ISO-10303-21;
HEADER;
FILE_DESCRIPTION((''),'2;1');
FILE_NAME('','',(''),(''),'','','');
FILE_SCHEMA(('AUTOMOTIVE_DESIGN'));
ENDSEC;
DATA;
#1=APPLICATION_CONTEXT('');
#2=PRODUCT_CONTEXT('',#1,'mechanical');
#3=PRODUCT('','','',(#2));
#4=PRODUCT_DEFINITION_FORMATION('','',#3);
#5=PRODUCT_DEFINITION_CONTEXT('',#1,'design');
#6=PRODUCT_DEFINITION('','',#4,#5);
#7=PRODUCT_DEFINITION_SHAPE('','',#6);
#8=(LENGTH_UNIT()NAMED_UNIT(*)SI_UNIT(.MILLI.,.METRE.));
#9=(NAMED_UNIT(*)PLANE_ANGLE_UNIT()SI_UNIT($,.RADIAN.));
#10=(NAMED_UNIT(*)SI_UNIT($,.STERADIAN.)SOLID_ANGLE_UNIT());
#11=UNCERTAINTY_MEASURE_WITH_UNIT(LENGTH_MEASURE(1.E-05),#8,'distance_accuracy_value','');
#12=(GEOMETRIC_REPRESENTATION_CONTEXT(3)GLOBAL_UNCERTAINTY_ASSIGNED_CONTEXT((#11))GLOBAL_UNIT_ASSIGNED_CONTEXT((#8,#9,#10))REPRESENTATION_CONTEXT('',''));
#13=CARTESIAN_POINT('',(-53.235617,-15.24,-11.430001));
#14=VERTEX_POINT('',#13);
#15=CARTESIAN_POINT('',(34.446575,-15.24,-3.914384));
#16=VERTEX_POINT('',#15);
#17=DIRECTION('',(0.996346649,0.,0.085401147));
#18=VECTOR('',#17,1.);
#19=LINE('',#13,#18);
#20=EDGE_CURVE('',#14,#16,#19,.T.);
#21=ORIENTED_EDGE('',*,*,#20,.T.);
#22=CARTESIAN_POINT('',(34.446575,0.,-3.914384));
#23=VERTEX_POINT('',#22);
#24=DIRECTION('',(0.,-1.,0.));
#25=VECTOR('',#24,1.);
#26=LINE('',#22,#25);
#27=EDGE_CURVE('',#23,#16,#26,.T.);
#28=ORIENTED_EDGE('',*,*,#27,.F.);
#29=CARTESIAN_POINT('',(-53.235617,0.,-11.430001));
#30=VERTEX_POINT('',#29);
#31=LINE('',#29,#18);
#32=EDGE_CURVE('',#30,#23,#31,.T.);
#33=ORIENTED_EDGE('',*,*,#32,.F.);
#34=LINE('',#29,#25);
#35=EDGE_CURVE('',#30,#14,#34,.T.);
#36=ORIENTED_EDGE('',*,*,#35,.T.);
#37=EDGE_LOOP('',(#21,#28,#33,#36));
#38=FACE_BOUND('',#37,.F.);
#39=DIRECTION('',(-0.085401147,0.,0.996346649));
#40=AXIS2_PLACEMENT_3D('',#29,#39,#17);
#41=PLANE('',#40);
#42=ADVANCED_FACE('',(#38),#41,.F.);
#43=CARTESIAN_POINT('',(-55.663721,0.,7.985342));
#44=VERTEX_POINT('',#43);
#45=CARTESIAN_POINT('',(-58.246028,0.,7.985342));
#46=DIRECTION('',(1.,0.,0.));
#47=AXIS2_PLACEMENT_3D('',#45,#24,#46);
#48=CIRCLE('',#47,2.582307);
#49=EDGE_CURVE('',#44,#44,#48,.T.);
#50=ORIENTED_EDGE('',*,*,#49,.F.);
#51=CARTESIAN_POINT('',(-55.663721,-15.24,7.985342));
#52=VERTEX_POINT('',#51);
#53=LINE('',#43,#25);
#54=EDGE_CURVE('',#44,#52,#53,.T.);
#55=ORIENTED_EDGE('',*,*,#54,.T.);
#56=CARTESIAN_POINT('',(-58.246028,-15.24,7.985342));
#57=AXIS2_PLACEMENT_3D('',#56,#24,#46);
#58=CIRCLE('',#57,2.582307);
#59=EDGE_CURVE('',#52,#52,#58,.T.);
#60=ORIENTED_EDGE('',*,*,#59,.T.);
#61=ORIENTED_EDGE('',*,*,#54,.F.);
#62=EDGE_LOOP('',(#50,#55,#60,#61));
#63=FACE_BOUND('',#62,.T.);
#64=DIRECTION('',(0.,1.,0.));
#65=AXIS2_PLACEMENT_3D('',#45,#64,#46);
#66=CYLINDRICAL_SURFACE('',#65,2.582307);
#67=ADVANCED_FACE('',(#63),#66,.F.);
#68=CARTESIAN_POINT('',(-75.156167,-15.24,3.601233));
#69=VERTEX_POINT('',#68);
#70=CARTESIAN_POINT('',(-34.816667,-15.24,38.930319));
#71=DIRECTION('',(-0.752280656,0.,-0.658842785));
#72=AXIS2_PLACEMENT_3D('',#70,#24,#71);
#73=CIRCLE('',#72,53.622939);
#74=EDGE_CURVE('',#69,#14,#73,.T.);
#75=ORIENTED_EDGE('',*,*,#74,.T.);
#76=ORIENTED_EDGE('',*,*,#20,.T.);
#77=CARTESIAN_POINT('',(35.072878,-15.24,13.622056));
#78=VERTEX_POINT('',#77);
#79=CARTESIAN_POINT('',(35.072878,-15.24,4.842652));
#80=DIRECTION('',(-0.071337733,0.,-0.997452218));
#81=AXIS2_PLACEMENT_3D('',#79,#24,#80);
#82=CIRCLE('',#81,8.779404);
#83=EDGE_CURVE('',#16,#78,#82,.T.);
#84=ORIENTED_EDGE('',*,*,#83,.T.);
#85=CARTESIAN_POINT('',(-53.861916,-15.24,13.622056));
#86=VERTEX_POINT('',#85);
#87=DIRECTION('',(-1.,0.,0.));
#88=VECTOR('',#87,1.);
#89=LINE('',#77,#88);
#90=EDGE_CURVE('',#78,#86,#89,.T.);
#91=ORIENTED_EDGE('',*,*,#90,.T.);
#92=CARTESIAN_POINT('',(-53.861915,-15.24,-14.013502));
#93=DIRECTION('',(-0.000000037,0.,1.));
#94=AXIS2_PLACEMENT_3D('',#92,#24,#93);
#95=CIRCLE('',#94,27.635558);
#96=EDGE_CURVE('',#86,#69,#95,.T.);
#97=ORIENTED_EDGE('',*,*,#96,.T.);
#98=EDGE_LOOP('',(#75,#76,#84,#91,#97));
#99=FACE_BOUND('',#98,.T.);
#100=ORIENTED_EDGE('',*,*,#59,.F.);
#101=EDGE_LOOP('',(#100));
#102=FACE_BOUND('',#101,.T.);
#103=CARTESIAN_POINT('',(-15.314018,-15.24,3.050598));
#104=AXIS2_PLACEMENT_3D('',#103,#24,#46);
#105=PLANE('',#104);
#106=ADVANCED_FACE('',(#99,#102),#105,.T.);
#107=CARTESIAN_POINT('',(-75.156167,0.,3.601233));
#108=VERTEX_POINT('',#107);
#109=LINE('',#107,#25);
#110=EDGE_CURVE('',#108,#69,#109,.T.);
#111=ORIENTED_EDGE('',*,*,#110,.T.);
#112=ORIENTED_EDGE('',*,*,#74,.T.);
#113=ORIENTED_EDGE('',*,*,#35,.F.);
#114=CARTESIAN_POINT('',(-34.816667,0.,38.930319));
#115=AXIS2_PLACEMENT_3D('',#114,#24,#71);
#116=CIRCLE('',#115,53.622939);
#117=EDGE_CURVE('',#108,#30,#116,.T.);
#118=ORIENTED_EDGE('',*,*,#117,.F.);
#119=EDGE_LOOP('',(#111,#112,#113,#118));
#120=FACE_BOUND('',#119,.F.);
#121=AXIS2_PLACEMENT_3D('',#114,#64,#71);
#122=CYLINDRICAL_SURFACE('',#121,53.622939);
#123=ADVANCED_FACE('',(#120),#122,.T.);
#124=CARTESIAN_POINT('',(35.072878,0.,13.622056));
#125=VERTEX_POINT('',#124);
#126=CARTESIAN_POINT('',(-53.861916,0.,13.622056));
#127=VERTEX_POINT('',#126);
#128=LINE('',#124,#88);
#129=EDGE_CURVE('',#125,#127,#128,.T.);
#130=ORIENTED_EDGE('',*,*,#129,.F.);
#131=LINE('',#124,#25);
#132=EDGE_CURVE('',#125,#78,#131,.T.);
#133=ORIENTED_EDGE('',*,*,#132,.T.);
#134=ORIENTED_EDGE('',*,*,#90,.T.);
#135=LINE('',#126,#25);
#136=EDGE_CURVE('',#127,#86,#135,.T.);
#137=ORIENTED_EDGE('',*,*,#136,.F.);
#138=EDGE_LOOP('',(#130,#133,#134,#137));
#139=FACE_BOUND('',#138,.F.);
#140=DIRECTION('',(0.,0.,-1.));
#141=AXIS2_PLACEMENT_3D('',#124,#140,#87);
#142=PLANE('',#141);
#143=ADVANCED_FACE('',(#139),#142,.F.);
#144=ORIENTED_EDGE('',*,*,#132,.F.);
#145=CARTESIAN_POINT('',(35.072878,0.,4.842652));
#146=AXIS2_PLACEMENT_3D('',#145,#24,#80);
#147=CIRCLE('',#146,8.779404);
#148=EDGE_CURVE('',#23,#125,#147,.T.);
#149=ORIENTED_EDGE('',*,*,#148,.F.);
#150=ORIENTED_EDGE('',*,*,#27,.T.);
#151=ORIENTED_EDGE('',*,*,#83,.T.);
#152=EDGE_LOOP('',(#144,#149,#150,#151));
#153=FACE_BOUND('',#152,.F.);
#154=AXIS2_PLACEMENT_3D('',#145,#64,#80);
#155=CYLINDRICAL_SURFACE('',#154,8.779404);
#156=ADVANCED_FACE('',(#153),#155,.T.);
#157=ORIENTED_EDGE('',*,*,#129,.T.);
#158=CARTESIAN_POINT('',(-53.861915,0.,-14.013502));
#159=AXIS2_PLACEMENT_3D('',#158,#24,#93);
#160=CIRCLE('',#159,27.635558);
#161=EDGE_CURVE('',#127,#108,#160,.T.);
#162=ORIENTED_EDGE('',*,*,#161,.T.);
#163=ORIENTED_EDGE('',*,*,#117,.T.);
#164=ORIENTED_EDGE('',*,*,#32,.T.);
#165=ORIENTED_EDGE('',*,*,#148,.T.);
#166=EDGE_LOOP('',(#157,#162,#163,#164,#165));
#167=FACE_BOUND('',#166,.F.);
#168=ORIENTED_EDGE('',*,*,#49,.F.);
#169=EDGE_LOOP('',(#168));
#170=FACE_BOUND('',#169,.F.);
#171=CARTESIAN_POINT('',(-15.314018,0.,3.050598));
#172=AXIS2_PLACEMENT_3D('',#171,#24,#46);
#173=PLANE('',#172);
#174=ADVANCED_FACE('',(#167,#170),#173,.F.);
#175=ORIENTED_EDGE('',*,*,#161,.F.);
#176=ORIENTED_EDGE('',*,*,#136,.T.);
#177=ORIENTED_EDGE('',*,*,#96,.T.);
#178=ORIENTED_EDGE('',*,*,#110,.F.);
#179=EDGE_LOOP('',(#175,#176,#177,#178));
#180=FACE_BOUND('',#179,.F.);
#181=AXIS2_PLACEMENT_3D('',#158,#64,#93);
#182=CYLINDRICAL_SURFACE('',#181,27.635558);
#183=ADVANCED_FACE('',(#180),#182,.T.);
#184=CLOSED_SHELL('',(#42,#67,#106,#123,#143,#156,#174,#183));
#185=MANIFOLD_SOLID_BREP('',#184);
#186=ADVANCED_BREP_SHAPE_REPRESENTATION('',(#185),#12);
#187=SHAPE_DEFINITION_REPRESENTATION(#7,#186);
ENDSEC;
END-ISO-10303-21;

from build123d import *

# Parameters (mm, degrees)
F0_R     = 2.582307
F1_DEPTH = 15.24


with BuildPart() as f1:
    # F0 (on Front) → F1 (new body)
    with BuildSketch(Plane.XZ):
        with BuildLine():
            Line((35.072878, 13.622056), (-53.861916, 13.622056))
            ThreePointArc((-53.861916, 13.622056), (-65.629053, 10.991668), (-75.156167, 3.601233))
            ThreePointArc((-75.156167, 3.601233), (-65.141959, -5.294066), (-53.235617, -11.430001))
            Line((-53.235617, -11.430001), (34.446575, -3.914384))
            ThreePointArc((34.446575, -3.914384), (43.846688, 4.529301), (35.072878, 13.622056))
        make_face()
        with Locations((-58.246028, 7.985342)):
            Circle(F0_R, mode=Mode.SUBTRACT)
    extrude(amount=F1_DEPTH)


solid = f1.part
